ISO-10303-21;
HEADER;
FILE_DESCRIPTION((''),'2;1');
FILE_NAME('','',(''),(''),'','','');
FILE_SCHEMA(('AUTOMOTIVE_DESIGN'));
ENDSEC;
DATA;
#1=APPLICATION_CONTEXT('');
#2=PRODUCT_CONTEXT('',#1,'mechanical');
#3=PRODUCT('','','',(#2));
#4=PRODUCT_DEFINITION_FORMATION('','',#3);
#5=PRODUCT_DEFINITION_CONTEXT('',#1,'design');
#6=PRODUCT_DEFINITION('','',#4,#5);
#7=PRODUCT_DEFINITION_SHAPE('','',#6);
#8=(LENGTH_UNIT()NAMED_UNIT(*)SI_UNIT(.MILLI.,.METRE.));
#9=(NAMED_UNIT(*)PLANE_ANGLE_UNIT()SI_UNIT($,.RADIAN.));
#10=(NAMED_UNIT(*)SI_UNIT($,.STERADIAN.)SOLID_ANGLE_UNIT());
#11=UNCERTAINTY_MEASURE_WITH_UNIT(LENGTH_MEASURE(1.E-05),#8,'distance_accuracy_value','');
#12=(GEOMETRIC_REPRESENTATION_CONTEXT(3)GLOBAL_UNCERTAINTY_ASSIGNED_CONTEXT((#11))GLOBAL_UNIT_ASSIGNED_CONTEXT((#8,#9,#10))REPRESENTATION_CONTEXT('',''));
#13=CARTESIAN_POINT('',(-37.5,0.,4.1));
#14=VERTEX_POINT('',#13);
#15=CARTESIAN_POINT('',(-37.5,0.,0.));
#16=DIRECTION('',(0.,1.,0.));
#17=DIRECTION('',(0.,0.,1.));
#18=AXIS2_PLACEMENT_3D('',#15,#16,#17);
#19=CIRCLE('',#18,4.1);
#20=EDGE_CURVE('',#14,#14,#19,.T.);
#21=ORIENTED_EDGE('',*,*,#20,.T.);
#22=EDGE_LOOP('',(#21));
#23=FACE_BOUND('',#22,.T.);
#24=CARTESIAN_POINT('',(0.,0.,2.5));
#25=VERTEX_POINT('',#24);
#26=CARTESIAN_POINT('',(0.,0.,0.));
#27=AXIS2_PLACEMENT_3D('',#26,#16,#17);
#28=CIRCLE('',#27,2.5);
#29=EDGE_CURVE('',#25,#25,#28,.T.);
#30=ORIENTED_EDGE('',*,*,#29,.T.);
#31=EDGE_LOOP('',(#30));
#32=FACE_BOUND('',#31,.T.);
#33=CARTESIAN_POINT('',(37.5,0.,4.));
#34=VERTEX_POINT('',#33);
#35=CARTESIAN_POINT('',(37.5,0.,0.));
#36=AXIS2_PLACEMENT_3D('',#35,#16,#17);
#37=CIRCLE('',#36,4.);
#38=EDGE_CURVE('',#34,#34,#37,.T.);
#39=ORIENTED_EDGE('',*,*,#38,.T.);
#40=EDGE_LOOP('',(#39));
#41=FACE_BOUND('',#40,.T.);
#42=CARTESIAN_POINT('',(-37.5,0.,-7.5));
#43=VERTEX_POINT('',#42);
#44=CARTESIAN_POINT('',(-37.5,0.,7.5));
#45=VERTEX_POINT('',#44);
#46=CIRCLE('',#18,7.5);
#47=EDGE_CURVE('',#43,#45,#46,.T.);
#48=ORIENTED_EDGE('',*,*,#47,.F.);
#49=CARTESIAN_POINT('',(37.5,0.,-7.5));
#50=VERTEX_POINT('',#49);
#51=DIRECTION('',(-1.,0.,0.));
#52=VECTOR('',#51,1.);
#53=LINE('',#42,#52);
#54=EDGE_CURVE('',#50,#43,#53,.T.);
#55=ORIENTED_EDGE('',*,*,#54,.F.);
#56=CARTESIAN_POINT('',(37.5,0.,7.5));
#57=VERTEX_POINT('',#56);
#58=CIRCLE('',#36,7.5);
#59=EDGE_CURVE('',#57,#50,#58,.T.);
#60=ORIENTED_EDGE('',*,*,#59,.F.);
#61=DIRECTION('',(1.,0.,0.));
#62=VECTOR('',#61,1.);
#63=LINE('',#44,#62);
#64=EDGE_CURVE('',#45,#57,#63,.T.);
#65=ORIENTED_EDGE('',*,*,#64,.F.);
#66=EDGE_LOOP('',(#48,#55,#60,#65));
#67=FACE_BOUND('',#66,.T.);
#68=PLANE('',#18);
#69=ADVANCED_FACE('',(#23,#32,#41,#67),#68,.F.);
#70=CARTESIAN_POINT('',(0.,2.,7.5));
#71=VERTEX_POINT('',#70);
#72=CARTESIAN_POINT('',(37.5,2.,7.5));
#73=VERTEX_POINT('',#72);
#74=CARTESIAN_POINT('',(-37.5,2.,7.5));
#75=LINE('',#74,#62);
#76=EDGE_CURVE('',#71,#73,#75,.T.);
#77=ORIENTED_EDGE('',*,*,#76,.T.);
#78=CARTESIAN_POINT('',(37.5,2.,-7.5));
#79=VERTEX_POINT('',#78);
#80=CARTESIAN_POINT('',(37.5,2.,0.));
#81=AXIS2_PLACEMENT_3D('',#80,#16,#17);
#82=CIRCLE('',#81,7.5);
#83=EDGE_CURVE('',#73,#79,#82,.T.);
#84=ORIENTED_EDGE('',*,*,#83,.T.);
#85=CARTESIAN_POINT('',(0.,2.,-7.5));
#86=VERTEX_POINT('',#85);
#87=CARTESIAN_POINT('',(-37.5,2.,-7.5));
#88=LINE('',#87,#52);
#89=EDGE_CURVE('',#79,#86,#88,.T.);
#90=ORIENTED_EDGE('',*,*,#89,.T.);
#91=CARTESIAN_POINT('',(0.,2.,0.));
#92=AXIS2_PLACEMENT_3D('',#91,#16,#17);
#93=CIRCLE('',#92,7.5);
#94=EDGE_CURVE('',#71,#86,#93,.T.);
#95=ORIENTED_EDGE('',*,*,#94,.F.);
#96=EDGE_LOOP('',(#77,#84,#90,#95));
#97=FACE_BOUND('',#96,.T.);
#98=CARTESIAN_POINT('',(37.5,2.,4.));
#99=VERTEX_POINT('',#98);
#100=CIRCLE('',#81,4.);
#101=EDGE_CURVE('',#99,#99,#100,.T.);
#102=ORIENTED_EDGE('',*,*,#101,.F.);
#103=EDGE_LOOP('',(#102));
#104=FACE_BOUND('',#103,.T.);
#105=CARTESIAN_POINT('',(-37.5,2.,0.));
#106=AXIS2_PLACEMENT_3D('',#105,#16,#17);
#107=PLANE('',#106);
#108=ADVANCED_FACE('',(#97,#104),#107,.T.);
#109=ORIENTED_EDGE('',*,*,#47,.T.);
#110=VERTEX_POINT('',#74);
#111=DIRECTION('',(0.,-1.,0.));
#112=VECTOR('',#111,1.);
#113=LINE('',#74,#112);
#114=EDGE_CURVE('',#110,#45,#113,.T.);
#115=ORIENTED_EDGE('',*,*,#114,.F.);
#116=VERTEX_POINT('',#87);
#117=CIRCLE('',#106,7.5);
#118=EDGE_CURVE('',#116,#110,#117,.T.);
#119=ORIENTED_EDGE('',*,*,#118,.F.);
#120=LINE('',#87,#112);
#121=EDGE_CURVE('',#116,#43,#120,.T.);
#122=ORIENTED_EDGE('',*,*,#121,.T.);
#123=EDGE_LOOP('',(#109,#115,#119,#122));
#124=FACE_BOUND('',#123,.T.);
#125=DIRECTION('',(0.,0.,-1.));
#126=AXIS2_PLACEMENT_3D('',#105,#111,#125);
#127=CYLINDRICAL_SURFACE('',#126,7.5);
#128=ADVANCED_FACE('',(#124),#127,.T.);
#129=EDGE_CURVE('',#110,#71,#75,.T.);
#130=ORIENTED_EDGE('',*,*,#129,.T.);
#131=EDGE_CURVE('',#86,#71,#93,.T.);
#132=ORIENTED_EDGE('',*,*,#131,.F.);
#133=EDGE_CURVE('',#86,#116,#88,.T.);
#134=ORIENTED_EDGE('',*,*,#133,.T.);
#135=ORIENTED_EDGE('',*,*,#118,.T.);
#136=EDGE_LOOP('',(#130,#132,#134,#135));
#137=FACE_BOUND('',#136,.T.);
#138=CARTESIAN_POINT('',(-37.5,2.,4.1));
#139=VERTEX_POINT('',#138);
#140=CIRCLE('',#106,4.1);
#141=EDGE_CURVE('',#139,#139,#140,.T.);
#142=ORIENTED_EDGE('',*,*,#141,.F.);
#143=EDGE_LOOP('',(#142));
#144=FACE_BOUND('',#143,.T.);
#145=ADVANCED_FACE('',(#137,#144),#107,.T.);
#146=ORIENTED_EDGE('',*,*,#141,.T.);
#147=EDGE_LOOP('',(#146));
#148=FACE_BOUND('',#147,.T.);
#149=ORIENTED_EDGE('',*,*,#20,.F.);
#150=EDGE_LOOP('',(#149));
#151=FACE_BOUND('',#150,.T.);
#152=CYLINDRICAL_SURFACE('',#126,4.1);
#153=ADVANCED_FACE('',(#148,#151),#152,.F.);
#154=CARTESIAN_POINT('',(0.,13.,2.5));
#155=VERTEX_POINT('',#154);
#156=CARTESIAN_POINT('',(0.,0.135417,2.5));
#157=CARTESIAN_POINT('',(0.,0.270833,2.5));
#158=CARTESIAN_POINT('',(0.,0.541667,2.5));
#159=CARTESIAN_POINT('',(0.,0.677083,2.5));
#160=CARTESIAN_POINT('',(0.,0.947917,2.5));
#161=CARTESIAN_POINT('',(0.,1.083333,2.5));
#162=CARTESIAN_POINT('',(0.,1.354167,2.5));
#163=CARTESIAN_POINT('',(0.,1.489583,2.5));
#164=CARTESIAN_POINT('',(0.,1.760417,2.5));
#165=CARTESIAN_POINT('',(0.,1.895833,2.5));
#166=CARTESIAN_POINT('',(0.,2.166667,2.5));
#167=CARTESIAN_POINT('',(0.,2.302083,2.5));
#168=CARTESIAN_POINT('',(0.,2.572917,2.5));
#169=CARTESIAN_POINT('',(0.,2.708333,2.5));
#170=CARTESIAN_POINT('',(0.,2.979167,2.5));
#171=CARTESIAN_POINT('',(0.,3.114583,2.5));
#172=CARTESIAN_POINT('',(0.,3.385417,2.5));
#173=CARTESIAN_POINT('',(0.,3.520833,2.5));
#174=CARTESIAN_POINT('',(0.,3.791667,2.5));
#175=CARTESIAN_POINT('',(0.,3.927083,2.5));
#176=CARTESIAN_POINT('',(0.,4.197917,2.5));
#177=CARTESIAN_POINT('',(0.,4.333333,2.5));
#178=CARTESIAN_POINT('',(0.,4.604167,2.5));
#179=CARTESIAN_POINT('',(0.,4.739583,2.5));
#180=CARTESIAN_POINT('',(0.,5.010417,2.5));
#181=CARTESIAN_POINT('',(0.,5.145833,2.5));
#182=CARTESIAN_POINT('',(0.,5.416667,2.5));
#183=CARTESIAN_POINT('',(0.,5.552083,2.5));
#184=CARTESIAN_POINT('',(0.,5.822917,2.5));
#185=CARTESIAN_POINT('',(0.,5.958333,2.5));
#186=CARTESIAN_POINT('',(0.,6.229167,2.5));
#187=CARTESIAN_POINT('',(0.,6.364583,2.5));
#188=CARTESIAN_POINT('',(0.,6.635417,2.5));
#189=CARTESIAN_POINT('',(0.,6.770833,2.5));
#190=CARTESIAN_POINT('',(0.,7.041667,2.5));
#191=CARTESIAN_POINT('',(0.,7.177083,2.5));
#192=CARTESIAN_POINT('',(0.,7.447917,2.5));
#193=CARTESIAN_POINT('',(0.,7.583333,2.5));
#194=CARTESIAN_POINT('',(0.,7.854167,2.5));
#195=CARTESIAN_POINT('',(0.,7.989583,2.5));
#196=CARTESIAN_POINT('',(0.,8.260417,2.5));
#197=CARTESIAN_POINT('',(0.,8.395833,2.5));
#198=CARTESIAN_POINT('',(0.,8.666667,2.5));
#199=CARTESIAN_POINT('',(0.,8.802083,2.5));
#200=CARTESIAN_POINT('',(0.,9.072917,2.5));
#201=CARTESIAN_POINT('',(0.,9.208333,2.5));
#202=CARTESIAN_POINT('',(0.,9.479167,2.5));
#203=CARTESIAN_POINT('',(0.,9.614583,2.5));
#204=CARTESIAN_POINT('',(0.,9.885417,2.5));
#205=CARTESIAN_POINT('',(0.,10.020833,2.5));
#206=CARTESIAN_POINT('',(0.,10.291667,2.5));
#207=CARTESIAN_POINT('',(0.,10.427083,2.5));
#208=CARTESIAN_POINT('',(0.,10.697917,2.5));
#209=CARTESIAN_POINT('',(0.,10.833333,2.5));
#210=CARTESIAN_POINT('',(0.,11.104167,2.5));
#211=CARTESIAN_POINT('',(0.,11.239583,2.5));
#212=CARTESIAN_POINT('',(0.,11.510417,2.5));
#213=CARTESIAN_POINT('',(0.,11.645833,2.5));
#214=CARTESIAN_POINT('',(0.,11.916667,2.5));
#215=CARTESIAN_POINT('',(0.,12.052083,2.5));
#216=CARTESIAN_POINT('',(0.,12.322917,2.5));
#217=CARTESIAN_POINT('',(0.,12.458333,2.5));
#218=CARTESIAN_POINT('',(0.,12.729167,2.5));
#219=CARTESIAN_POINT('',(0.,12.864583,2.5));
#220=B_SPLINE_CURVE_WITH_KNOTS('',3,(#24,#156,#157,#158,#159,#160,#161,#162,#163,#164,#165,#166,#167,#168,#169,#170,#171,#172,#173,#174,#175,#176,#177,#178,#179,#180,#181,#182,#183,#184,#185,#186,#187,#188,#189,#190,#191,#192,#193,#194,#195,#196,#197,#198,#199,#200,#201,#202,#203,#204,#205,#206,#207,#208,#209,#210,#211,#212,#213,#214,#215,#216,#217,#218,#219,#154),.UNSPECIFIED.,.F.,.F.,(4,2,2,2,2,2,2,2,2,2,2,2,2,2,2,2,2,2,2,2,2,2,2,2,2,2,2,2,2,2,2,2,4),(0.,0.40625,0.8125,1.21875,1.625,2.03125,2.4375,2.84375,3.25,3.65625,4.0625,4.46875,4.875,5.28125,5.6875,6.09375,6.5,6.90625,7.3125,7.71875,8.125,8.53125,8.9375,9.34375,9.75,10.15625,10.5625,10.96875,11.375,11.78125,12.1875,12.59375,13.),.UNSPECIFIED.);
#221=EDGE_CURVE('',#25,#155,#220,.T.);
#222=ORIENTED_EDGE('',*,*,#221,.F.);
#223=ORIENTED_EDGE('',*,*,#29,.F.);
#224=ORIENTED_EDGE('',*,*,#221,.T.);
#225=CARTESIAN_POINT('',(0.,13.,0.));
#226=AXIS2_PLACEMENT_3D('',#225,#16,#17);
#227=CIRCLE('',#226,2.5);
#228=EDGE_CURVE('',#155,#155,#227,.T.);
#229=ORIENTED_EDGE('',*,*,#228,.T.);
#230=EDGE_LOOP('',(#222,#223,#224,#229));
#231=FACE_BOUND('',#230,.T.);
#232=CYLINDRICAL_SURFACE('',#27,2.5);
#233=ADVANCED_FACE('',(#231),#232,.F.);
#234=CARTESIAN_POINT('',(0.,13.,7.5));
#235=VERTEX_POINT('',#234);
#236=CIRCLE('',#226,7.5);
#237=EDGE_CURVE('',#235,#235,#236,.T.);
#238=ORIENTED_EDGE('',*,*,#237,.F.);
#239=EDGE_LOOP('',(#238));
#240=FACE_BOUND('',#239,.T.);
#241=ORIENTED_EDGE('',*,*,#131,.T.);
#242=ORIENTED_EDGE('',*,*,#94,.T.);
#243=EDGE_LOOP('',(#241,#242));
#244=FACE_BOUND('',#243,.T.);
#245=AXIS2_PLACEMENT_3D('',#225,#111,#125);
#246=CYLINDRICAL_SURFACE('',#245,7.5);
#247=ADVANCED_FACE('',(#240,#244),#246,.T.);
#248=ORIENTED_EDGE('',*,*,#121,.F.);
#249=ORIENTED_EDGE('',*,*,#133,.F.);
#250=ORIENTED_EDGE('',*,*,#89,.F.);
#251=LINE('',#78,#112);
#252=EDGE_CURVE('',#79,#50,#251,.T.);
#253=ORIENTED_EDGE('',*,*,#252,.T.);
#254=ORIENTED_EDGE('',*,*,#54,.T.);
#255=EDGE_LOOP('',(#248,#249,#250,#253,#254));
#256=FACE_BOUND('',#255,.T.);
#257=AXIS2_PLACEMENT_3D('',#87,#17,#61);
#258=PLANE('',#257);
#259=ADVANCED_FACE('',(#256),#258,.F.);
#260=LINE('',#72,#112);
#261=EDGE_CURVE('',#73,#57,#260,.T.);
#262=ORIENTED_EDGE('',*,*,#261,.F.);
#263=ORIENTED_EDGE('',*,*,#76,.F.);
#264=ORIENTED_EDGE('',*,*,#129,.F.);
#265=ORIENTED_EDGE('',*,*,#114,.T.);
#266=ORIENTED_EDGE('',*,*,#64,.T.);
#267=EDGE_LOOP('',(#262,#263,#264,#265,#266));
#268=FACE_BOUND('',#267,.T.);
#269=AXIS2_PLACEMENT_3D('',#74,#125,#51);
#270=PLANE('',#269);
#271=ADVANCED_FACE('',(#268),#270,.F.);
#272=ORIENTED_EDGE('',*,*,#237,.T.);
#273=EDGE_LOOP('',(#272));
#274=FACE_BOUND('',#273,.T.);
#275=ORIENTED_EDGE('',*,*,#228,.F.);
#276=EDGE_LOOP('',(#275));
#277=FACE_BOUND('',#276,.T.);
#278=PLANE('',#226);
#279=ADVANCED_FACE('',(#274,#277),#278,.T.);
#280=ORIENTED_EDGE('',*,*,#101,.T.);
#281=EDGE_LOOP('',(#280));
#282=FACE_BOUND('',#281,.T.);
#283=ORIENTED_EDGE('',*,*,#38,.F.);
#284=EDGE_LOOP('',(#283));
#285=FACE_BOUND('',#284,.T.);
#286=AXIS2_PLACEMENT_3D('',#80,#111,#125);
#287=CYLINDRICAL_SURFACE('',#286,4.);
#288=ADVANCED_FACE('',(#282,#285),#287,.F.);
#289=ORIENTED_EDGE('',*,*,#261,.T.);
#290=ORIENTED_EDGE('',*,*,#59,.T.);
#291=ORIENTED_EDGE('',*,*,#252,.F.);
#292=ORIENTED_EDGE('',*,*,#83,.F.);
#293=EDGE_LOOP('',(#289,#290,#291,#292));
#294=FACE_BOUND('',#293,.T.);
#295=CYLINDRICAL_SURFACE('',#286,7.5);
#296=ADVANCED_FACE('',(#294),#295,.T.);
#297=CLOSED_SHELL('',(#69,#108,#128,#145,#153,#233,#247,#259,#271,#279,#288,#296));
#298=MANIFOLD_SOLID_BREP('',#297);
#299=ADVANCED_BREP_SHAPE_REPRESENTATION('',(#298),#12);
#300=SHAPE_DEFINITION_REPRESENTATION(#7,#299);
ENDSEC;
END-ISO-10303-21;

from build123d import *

# Parameters (mm, degrees)
SKETCH1_R           = 4.1
SKETCH1_R_2         = 4
BOSS_EXTRUDE1_DEPTH = 2
SKETCH3_R           = 7.5
BOSS_EXTRUDE3_DEPTH = 11
SKETCH4_R           = 2.5
CUT_EXTRUDE1_DEPTH  = 48.436800061


with BuildPart() as part:
    # Sketch1 → Boss-Extrude1 (new body)
    with BuildSketch(Plane(origin=(0, 0, 0), x_dir=(1, 0, 0), z_dir=(0, 1, 0))):
        with BuildLine():
            Line((-37.5, 7.5), (37.5, 7.5))
            ThreePointArc((37.5, 7.5), (45, 0), (37.5, -7.5))
            Line((37.5, -7.5), (-37.5, -7.5))
            ThreePointArc((-37.5, -7.5), (-45, 0), (-37.5, 7.5))
        make_face()
        with Locations(Location((-37.5, 0, 0), (0, 0, 270))):
            Circle(SKETCH1_R, mode=Mode.SUBTRACT)
        with Locations(Location((37.5, 0, 0), (0, 0, 270))):
            Circle(SKETCH1_R_2, mode=Mode.SUBTRACT)
    extrude(amount=BOSS_EXTRUDE1_DEPTH)

    # Sketch3 → Boss-Extrude3 (add)
    with BuildSketch(Plane(origin=(0, 2, 0), x_dir=(1, 0, 0), z_dir=(0, 1, 0))):
        with Locations(Location((0, 0, 0), (0, 0, 270))):
            Circle(SKETCH3_R)
    extrude(amount=BOSS_EXTRUDE3_DEPTH)

    # Sketch4 → Cut-Extrude1 (cut, through all)
    with BuildSketch(Plane(origin=(0, 13, 0), x_dir=(1, 0, 0), z_dir=(0, 1, 0))):
        with Locations(Location((0, 0, 0), (0, 0, 270))):
            Circle(SKETCH4_R)
    extrude(amount=-CUT_EXTRUDE1_DEPTH, mode=Mode.SUBTRACT)


solid = part.part
